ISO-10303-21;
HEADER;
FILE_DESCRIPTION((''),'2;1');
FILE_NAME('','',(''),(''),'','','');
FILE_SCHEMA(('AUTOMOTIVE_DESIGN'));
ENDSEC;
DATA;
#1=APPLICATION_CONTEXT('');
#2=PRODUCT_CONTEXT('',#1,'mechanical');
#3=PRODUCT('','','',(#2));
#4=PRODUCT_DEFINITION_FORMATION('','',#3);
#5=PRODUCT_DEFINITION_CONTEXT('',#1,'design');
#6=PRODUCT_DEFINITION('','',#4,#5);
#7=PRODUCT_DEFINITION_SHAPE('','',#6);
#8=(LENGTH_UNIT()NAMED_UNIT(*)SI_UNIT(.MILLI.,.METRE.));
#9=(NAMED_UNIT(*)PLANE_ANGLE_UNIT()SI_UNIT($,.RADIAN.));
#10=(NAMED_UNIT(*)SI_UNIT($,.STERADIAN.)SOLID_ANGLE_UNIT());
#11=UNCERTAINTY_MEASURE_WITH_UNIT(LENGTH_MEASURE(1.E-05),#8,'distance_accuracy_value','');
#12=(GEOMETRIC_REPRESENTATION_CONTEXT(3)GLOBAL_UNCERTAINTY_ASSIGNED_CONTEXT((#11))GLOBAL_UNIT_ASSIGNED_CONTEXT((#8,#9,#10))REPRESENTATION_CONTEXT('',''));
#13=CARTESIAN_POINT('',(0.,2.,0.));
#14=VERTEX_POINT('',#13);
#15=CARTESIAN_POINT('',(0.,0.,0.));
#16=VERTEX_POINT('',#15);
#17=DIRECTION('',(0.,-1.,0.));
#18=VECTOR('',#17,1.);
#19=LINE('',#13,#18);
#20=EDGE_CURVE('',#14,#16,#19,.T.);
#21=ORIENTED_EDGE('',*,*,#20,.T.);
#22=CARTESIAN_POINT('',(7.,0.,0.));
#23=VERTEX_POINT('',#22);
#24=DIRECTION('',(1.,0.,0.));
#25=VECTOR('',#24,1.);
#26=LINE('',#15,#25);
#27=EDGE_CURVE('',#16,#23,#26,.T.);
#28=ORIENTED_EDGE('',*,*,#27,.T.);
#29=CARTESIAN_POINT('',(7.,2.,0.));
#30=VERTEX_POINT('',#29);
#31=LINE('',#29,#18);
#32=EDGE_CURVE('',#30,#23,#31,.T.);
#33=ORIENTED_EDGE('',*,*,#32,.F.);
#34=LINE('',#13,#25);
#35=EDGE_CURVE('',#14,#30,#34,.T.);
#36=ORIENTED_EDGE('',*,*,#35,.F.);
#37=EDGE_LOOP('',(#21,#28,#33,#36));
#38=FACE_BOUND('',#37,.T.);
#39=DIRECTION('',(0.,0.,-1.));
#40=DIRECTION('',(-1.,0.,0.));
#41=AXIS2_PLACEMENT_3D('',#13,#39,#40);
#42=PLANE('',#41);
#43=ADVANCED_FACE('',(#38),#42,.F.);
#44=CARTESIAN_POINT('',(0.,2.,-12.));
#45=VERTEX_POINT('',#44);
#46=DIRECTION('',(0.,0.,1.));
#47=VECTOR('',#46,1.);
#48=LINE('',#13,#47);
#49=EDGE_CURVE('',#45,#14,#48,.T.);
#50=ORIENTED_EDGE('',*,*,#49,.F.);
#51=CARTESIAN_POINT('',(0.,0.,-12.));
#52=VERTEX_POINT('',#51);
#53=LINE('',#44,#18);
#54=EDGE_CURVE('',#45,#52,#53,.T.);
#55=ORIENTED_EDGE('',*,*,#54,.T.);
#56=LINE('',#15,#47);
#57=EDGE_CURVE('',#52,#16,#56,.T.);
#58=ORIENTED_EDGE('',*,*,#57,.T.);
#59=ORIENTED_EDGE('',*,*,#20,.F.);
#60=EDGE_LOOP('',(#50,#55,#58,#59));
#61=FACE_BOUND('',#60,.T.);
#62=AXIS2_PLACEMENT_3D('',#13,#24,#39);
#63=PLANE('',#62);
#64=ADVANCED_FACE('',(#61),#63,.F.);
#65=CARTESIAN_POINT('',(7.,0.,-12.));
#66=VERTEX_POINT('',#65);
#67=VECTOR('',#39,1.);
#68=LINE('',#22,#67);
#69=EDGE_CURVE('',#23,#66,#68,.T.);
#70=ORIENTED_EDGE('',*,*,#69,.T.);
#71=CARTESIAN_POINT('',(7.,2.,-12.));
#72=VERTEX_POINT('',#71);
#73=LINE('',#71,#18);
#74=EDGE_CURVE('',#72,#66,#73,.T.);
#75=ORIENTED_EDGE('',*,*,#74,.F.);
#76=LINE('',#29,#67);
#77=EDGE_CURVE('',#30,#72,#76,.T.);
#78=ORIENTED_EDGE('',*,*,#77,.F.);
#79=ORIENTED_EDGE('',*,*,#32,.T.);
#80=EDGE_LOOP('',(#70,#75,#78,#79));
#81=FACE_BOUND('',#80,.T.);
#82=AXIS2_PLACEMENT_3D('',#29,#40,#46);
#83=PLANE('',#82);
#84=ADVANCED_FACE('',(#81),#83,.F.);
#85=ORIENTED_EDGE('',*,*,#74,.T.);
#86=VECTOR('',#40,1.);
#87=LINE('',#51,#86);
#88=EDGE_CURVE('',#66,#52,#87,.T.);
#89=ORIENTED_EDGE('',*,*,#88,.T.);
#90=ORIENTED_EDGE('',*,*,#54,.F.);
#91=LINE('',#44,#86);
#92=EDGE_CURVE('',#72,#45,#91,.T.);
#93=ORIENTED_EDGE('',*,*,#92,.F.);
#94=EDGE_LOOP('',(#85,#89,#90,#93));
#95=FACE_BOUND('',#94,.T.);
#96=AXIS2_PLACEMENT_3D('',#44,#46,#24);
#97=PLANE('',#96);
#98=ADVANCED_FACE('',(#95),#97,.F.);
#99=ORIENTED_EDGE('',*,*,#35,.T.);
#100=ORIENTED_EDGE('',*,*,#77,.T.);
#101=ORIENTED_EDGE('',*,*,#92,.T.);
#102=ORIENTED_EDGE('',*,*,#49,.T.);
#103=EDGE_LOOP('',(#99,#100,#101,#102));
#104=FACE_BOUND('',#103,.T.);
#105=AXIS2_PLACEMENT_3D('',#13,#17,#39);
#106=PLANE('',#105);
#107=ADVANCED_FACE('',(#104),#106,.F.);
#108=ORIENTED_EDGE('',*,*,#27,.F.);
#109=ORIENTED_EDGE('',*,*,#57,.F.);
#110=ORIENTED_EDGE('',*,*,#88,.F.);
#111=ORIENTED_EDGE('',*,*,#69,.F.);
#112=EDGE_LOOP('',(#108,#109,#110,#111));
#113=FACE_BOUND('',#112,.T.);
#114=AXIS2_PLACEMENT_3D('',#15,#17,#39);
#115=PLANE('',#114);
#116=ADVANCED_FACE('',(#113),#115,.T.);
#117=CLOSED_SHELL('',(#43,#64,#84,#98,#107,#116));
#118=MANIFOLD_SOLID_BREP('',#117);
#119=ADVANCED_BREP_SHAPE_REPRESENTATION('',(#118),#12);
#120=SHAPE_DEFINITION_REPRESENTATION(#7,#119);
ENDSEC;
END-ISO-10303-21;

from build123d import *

# Parameters (mm, degrees)
SKETCH_1_W      = 7
SKETCH_1_H      = 12
EXTRUDE_1_DEPTH = 2


with BuildPart() as part:
    # 草图1 → 凸台-拉伸1 (new body)
    with BuildSketch(Plane(origin=(0, 0, 0), x_dir=(1, 0, 0), z_dir=(0, 1, 0))):
        with Locations((3.5, 6)):
            Rectangle(SKETCH_1_W, SKETCH_1_H)
    extrude(amount=EXTRUDE_1_DEPTH)


solid = part.part
